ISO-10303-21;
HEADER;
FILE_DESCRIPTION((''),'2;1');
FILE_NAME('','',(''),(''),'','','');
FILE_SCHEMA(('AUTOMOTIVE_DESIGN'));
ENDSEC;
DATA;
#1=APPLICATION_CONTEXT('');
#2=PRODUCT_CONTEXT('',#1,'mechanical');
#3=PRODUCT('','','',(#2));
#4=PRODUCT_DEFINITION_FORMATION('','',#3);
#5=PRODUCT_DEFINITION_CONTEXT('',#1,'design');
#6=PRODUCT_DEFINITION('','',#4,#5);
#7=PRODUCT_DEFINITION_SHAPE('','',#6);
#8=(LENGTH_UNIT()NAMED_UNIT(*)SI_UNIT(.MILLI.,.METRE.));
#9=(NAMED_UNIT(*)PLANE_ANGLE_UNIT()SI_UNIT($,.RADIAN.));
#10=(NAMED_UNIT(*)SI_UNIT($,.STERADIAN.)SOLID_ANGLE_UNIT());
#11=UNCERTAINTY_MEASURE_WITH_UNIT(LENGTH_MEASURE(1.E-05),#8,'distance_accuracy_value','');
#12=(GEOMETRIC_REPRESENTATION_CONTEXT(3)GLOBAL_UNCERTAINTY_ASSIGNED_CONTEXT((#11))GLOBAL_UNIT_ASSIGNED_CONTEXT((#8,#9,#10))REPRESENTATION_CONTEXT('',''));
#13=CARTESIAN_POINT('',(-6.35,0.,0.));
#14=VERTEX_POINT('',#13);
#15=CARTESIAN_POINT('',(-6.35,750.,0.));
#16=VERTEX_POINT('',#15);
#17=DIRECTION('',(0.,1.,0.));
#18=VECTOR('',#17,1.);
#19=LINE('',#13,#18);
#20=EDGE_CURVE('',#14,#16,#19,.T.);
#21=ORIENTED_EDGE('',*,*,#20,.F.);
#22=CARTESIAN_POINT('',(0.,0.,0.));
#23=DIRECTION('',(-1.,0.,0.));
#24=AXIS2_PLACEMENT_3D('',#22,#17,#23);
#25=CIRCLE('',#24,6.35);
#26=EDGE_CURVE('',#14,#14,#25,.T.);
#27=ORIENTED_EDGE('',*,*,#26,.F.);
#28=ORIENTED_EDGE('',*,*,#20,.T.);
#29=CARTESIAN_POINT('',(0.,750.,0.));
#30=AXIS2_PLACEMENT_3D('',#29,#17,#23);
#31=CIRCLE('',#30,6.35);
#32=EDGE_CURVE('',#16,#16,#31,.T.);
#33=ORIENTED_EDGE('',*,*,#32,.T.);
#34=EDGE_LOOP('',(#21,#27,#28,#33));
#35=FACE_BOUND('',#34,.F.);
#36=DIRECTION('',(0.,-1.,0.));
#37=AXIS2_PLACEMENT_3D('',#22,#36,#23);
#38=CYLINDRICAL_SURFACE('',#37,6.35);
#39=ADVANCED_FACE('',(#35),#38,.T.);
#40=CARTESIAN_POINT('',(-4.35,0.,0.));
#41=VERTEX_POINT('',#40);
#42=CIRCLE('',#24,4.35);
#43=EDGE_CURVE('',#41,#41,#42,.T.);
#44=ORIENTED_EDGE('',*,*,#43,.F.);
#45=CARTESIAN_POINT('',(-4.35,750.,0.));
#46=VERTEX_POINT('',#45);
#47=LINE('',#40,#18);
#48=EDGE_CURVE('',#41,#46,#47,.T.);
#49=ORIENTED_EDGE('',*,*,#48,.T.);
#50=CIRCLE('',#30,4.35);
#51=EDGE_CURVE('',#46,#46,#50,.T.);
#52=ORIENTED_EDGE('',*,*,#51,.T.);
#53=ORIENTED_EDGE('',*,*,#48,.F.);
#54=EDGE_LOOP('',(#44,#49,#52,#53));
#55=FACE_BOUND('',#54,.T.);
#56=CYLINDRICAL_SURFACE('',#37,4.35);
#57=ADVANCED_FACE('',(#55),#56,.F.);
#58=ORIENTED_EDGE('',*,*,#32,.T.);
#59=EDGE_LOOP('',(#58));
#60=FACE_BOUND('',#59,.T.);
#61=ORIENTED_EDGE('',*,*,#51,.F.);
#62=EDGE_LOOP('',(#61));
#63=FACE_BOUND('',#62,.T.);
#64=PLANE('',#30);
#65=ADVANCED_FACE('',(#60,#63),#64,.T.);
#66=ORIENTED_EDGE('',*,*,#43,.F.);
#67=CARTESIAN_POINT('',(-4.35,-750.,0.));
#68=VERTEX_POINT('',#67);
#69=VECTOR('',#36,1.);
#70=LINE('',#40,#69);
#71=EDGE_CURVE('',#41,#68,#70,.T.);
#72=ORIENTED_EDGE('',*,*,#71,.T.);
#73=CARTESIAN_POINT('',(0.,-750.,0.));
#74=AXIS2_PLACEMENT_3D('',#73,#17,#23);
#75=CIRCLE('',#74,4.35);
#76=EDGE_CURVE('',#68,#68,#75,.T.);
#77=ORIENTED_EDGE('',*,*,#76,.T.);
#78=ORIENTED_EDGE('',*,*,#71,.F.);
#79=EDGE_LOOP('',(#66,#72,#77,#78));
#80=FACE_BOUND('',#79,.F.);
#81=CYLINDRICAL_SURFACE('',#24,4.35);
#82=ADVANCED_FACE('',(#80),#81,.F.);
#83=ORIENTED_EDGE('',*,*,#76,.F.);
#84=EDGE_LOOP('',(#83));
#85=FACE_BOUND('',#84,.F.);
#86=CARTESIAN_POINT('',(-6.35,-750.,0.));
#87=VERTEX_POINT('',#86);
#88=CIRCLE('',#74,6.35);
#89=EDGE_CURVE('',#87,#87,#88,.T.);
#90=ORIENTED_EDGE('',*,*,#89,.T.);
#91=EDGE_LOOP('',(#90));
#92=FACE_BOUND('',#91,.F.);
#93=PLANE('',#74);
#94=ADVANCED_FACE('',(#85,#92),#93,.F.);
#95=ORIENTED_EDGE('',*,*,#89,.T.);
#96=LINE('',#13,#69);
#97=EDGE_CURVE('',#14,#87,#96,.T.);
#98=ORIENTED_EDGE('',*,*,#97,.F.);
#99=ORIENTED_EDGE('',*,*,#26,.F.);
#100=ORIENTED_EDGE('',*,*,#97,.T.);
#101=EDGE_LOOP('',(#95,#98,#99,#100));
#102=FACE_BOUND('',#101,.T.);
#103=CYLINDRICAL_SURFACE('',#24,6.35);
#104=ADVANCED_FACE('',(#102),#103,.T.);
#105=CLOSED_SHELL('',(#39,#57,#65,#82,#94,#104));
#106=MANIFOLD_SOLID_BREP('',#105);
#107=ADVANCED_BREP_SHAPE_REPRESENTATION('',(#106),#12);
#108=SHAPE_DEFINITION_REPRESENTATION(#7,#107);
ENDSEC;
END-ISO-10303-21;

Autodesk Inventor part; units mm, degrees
ref_plane "YZ Plane" through (0, 0, 0) normal (1, 0, 0) x (0, 1, 0)
ref_plane "XZ Plane" through (0, 0, 0) normal (0, 1, 0) x (-1, 0, 0)
ref_plane "XY Plane" through (0, 0, 0) normal (0, 0, 1) x (1, 0, 0)
sketch "Esboço1" plane through (0, 0, 0) normal (0, 1, 0) x (-1, 0, 0)
  circle A0 centre (0, 0) radius 6.35
  circle A1 centre (0, 0) radius 4.35
  dimension "d0" = 12.7
  dimension "d1" = 2
extrude "Extrusão1" add sketch "Esboço1" along normal mid plane 1500
equation "\"Ø\" = d0"
equation "\"Thickness\" = d1"
equation "\"COMPRIMENTO\" = d2"
equation "\"d2\" = 1500"
properties part number "TUBO REDONDO INOX 304 OD 1/2\" (Ø12,7 mm x 2 mm) - 1500 mm" material "Aço inoxidável, austenítico"
